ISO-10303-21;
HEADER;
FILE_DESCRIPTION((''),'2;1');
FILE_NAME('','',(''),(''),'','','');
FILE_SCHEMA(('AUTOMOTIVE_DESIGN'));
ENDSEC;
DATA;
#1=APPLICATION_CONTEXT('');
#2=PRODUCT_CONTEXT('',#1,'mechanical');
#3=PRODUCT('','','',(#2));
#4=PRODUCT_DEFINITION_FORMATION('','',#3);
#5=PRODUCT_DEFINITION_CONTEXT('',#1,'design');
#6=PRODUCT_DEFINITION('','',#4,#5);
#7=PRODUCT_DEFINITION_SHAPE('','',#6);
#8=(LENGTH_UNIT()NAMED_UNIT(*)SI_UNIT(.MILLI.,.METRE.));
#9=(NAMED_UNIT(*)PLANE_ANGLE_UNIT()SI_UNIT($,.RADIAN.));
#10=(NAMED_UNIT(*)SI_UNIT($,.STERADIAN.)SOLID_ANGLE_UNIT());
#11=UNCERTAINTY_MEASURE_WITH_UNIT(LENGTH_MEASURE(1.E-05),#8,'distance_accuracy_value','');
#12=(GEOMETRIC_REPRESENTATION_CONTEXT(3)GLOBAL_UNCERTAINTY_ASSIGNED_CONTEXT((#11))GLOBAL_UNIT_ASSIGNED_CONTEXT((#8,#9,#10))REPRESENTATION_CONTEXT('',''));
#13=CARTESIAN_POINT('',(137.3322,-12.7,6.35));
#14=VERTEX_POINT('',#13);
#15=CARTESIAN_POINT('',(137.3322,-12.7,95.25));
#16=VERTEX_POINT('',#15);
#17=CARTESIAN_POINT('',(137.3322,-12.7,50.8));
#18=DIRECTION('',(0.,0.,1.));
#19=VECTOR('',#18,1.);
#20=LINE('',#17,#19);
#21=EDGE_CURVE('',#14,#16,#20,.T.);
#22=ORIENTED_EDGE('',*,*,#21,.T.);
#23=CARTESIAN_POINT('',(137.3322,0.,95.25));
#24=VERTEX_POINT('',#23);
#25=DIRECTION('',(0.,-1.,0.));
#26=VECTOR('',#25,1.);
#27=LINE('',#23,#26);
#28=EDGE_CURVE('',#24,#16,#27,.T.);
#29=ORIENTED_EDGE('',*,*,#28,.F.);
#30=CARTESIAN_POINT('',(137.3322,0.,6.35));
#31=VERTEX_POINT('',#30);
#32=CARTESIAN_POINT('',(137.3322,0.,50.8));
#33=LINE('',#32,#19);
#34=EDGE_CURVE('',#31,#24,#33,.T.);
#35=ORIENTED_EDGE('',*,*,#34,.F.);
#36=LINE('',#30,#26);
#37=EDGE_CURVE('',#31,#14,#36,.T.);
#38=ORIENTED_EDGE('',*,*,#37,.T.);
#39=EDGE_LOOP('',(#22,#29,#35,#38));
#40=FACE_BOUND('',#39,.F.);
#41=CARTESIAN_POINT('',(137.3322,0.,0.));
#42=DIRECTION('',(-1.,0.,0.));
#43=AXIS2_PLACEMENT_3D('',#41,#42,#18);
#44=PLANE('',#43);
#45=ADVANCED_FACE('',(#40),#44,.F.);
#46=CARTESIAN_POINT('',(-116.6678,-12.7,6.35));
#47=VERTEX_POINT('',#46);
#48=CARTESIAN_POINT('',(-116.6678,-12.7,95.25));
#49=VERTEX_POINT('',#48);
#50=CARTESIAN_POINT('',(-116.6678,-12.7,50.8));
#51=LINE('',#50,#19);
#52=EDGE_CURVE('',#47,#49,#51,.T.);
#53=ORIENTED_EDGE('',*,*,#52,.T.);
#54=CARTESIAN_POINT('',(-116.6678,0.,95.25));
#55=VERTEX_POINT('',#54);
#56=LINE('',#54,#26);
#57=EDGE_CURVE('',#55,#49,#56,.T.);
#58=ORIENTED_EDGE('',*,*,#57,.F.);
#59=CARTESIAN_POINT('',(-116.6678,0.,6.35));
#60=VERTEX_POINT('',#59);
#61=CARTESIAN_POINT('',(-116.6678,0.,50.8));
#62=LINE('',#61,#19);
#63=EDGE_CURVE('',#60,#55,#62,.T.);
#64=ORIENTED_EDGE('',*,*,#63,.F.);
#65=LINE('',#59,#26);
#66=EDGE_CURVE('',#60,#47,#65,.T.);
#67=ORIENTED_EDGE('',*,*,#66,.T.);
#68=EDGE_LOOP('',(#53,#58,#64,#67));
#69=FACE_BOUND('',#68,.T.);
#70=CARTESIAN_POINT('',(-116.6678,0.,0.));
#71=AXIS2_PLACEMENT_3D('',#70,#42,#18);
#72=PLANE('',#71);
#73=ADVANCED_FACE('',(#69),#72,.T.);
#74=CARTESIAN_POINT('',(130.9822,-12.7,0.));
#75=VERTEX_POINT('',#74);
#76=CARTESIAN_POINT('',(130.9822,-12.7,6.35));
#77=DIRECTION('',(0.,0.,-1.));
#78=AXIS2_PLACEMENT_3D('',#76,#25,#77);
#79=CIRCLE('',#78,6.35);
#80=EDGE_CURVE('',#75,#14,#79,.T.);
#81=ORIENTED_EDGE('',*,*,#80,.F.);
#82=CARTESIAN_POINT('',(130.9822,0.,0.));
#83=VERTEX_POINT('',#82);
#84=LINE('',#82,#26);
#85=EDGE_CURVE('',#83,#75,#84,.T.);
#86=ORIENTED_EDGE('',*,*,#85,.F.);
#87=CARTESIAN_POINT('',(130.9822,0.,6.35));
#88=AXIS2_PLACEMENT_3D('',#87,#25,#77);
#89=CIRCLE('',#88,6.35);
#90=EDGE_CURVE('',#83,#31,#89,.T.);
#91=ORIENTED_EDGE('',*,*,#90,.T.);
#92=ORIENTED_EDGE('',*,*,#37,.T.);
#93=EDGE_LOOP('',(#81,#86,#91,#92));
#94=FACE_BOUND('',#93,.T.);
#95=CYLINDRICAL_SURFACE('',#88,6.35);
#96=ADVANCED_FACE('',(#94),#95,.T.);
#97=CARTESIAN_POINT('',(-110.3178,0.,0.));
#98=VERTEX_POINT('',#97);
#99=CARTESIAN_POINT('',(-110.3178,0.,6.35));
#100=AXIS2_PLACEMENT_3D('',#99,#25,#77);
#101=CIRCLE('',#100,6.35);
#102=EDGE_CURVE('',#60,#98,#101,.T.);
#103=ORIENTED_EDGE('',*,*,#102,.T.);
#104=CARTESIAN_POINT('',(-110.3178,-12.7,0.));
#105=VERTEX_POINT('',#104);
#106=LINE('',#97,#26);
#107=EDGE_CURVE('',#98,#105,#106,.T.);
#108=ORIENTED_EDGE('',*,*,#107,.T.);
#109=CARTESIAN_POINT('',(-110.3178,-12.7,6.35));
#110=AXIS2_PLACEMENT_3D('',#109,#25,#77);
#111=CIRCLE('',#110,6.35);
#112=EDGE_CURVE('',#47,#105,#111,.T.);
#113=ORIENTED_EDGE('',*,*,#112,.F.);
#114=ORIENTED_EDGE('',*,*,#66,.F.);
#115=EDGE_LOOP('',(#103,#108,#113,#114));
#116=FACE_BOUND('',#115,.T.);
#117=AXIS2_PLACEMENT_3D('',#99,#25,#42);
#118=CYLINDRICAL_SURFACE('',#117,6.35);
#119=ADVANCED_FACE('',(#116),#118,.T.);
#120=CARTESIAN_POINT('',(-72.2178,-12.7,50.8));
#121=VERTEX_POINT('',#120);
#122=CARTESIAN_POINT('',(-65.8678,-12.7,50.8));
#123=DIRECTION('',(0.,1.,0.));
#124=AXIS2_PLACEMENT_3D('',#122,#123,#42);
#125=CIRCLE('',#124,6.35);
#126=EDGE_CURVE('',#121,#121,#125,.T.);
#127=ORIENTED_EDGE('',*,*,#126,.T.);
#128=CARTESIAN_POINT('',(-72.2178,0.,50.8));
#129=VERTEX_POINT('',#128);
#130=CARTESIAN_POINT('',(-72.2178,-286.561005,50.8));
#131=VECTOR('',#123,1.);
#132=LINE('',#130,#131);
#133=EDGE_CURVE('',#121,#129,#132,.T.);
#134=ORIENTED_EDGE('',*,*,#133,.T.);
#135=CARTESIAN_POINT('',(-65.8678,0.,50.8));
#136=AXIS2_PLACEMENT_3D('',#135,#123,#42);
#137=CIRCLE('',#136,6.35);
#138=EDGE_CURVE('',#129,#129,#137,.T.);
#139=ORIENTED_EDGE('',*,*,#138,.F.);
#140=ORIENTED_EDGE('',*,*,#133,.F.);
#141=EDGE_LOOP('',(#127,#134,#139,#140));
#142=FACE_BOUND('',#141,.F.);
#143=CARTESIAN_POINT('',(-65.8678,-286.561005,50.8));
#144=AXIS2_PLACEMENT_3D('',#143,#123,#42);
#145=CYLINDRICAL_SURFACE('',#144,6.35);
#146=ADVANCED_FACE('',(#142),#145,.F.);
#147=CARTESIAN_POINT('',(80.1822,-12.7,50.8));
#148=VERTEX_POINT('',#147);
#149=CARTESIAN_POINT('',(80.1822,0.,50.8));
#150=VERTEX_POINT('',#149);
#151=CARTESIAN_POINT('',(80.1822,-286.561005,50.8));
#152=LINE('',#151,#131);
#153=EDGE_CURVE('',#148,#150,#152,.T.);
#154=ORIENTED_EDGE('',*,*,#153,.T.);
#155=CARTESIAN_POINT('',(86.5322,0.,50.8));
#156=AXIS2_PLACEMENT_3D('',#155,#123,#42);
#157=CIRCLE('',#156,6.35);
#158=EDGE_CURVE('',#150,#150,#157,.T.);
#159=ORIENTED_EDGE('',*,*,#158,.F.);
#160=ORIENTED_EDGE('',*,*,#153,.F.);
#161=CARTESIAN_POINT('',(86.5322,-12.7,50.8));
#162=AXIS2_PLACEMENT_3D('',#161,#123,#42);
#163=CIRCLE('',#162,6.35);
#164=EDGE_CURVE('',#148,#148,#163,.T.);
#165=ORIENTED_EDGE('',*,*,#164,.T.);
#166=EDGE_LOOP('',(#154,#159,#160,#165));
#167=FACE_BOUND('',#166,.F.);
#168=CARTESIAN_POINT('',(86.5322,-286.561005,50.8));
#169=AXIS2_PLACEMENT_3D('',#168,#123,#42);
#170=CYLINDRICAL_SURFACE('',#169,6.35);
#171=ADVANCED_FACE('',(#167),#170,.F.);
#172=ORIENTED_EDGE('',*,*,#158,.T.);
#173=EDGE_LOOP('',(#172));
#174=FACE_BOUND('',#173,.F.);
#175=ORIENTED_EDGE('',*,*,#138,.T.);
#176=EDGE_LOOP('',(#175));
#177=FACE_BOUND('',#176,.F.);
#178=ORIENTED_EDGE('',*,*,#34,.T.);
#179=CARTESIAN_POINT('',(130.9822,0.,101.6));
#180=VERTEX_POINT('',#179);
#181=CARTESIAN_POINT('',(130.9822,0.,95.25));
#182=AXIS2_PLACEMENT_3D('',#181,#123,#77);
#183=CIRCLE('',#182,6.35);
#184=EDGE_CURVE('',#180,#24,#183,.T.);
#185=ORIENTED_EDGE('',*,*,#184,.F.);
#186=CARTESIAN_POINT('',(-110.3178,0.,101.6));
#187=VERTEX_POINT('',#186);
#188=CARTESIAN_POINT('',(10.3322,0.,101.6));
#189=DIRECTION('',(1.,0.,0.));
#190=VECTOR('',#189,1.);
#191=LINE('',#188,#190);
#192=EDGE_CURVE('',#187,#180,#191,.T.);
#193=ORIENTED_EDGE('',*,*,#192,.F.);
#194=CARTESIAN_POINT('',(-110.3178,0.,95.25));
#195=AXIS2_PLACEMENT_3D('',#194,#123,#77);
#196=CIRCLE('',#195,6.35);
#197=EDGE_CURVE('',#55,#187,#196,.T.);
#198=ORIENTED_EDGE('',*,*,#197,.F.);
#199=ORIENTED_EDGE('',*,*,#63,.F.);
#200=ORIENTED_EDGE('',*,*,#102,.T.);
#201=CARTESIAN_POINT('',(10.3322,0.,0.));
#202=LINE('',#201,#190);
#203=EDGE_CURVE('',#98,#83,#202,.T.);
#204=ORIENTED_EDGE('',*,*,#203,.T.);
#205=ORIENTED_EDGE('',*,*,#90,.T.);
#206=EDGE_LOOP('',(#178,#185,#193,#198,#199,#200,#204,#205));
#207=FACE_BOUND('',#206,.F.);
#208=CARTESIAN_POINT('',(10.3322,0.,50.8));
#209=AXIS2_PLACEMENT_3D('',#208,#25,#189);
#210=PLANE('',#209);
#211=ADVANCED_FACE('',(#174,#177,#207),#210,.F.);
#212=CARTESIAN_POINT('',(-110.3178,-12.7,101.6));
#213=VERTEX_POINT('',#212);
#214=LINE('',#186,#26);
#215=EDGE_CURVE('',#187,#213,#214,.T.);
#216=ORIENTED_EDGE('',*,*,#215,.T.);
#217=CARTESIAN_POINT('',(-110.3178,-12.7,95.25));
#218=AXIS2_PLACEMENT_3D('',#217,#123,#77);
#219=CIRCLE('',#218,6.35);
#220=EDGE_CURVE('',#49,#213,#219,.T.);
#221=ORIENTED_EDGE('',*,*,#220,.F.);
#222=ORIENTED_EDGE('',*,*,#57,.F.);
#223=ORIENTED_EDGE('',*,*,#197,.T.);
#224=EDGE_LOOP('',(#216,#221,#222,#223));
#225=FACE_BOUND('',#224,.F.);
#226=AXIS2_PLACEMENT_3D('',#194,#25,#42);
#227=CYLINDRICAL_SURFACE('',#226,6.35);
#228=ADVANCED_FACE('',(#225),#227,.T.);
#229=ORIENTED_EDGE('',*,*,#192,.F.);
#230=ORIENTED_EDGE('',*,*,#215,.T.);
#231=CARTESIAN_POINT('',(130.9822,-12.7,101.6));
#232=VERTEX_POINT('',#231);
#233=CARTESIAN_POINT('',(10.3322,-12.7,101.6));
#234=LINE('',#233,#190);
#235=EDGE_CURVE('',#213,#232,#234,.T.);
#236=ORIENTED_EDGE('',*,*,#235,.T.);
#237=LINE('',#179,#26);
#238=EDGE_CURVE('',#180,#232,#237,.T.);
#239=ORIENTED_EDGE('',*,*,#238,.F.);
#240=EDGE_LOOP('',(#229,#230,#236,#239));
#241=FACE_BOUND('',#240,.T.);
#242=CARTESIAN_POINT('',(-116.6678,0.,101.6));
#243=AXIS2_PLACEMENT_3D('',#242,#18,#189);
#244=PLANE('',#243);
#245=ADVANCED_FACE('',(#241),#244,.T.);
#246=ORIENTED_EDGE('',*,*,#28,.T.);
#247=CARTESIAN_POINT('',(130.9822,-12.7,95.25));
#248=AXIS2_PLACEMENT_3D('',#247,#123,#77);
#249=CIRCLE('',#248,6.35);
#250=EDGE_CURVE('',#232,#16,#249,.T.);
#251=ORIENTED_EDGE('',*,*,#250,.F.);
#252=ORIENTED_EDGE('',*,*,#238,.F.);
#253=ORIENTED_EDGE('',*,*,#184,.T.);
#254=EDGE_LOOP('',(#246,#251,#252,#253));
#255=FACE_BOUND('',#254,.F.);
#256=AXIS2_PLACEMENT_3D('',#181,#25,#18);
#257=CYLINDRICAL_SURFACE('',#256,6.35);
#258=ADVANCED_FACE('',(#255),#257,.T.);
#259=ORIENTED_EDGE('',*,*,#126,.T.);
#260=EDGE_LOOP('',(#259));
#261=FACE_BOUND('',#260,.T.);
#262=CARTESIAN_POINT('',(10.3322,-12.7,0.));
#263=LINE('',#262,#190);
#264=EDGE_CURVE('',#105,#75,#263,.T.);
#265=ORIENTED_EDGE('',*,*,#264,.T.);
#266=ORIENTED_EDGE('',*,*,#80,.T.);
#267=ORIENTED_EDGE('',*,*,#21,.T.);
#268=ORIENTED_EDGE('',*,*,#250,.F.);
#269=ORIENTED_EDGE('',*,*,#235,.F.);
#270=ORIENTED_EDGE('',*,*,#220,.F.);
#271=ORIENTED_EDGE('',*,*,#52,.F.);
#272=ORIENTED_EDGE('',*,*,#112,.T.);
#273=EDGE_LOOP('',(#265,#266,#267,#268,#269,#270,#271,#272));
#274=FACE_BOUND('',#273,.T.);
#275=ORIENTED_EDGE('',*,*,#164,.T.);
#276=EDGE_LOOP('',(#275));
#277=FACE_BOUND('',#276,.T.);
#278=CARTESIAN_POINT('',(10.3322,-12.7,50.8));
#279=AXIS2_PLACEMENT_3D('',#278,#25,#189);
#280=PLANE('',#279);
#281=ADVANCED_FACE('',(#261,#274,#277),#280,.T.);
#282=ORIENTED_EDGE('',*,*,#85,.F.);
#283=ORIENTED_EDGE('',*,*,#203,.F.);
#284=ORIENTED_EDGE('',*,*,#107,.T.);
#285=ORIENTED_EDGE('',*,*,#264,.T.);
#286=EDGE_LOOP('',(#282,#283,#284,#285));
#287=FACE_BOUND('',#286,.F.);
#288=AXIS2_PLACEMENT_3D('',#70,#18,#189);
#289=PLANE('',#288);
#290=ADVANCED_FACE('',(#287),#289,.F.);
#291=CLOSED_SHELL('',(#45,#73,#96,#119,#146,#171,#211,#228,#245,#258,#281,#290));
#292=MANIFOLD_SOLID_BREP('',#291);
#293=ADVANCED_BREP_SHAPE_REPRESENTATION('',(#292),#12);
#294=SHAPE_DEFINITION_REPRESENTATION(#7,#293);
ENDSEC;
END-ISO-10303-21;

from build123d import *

# Parameters (mm, degrees)
F0_W     = 254
F0_H     = 101.6
F1_DEPTH = 12.7
F3_D     = 12.7
F4_R     = 6.35


with BuildPart() as f1:
    # F0 (on Front) → F1 (new body)
    with BuildSketch(Plane.XZ):
        with Locations((10.3322, 50.8)):
            Rectangle(F0_W, F0_H)
    extrude(amount=F1_DEPTH)

    # F3 (through all)
    with Locations(Plane.XZ.offset(12.7)):
        with Locations((-65.8678, 50.8), (86.5322, 50.8)):
            Hole(F3_D / 2)

    # F4
    f4_edges = [f1.edges().sort_by_distance(p)[0] for p in [
        (137.3322, -6.35, 101.6),
        (-116.6678, -6.35, 101.6),
        (137.3322, -6.35, 0),
        (-116.6678, -6.35, 0),
    ]]
    fillet(f4_edges, radius=F4_R)


solid = f1.part
